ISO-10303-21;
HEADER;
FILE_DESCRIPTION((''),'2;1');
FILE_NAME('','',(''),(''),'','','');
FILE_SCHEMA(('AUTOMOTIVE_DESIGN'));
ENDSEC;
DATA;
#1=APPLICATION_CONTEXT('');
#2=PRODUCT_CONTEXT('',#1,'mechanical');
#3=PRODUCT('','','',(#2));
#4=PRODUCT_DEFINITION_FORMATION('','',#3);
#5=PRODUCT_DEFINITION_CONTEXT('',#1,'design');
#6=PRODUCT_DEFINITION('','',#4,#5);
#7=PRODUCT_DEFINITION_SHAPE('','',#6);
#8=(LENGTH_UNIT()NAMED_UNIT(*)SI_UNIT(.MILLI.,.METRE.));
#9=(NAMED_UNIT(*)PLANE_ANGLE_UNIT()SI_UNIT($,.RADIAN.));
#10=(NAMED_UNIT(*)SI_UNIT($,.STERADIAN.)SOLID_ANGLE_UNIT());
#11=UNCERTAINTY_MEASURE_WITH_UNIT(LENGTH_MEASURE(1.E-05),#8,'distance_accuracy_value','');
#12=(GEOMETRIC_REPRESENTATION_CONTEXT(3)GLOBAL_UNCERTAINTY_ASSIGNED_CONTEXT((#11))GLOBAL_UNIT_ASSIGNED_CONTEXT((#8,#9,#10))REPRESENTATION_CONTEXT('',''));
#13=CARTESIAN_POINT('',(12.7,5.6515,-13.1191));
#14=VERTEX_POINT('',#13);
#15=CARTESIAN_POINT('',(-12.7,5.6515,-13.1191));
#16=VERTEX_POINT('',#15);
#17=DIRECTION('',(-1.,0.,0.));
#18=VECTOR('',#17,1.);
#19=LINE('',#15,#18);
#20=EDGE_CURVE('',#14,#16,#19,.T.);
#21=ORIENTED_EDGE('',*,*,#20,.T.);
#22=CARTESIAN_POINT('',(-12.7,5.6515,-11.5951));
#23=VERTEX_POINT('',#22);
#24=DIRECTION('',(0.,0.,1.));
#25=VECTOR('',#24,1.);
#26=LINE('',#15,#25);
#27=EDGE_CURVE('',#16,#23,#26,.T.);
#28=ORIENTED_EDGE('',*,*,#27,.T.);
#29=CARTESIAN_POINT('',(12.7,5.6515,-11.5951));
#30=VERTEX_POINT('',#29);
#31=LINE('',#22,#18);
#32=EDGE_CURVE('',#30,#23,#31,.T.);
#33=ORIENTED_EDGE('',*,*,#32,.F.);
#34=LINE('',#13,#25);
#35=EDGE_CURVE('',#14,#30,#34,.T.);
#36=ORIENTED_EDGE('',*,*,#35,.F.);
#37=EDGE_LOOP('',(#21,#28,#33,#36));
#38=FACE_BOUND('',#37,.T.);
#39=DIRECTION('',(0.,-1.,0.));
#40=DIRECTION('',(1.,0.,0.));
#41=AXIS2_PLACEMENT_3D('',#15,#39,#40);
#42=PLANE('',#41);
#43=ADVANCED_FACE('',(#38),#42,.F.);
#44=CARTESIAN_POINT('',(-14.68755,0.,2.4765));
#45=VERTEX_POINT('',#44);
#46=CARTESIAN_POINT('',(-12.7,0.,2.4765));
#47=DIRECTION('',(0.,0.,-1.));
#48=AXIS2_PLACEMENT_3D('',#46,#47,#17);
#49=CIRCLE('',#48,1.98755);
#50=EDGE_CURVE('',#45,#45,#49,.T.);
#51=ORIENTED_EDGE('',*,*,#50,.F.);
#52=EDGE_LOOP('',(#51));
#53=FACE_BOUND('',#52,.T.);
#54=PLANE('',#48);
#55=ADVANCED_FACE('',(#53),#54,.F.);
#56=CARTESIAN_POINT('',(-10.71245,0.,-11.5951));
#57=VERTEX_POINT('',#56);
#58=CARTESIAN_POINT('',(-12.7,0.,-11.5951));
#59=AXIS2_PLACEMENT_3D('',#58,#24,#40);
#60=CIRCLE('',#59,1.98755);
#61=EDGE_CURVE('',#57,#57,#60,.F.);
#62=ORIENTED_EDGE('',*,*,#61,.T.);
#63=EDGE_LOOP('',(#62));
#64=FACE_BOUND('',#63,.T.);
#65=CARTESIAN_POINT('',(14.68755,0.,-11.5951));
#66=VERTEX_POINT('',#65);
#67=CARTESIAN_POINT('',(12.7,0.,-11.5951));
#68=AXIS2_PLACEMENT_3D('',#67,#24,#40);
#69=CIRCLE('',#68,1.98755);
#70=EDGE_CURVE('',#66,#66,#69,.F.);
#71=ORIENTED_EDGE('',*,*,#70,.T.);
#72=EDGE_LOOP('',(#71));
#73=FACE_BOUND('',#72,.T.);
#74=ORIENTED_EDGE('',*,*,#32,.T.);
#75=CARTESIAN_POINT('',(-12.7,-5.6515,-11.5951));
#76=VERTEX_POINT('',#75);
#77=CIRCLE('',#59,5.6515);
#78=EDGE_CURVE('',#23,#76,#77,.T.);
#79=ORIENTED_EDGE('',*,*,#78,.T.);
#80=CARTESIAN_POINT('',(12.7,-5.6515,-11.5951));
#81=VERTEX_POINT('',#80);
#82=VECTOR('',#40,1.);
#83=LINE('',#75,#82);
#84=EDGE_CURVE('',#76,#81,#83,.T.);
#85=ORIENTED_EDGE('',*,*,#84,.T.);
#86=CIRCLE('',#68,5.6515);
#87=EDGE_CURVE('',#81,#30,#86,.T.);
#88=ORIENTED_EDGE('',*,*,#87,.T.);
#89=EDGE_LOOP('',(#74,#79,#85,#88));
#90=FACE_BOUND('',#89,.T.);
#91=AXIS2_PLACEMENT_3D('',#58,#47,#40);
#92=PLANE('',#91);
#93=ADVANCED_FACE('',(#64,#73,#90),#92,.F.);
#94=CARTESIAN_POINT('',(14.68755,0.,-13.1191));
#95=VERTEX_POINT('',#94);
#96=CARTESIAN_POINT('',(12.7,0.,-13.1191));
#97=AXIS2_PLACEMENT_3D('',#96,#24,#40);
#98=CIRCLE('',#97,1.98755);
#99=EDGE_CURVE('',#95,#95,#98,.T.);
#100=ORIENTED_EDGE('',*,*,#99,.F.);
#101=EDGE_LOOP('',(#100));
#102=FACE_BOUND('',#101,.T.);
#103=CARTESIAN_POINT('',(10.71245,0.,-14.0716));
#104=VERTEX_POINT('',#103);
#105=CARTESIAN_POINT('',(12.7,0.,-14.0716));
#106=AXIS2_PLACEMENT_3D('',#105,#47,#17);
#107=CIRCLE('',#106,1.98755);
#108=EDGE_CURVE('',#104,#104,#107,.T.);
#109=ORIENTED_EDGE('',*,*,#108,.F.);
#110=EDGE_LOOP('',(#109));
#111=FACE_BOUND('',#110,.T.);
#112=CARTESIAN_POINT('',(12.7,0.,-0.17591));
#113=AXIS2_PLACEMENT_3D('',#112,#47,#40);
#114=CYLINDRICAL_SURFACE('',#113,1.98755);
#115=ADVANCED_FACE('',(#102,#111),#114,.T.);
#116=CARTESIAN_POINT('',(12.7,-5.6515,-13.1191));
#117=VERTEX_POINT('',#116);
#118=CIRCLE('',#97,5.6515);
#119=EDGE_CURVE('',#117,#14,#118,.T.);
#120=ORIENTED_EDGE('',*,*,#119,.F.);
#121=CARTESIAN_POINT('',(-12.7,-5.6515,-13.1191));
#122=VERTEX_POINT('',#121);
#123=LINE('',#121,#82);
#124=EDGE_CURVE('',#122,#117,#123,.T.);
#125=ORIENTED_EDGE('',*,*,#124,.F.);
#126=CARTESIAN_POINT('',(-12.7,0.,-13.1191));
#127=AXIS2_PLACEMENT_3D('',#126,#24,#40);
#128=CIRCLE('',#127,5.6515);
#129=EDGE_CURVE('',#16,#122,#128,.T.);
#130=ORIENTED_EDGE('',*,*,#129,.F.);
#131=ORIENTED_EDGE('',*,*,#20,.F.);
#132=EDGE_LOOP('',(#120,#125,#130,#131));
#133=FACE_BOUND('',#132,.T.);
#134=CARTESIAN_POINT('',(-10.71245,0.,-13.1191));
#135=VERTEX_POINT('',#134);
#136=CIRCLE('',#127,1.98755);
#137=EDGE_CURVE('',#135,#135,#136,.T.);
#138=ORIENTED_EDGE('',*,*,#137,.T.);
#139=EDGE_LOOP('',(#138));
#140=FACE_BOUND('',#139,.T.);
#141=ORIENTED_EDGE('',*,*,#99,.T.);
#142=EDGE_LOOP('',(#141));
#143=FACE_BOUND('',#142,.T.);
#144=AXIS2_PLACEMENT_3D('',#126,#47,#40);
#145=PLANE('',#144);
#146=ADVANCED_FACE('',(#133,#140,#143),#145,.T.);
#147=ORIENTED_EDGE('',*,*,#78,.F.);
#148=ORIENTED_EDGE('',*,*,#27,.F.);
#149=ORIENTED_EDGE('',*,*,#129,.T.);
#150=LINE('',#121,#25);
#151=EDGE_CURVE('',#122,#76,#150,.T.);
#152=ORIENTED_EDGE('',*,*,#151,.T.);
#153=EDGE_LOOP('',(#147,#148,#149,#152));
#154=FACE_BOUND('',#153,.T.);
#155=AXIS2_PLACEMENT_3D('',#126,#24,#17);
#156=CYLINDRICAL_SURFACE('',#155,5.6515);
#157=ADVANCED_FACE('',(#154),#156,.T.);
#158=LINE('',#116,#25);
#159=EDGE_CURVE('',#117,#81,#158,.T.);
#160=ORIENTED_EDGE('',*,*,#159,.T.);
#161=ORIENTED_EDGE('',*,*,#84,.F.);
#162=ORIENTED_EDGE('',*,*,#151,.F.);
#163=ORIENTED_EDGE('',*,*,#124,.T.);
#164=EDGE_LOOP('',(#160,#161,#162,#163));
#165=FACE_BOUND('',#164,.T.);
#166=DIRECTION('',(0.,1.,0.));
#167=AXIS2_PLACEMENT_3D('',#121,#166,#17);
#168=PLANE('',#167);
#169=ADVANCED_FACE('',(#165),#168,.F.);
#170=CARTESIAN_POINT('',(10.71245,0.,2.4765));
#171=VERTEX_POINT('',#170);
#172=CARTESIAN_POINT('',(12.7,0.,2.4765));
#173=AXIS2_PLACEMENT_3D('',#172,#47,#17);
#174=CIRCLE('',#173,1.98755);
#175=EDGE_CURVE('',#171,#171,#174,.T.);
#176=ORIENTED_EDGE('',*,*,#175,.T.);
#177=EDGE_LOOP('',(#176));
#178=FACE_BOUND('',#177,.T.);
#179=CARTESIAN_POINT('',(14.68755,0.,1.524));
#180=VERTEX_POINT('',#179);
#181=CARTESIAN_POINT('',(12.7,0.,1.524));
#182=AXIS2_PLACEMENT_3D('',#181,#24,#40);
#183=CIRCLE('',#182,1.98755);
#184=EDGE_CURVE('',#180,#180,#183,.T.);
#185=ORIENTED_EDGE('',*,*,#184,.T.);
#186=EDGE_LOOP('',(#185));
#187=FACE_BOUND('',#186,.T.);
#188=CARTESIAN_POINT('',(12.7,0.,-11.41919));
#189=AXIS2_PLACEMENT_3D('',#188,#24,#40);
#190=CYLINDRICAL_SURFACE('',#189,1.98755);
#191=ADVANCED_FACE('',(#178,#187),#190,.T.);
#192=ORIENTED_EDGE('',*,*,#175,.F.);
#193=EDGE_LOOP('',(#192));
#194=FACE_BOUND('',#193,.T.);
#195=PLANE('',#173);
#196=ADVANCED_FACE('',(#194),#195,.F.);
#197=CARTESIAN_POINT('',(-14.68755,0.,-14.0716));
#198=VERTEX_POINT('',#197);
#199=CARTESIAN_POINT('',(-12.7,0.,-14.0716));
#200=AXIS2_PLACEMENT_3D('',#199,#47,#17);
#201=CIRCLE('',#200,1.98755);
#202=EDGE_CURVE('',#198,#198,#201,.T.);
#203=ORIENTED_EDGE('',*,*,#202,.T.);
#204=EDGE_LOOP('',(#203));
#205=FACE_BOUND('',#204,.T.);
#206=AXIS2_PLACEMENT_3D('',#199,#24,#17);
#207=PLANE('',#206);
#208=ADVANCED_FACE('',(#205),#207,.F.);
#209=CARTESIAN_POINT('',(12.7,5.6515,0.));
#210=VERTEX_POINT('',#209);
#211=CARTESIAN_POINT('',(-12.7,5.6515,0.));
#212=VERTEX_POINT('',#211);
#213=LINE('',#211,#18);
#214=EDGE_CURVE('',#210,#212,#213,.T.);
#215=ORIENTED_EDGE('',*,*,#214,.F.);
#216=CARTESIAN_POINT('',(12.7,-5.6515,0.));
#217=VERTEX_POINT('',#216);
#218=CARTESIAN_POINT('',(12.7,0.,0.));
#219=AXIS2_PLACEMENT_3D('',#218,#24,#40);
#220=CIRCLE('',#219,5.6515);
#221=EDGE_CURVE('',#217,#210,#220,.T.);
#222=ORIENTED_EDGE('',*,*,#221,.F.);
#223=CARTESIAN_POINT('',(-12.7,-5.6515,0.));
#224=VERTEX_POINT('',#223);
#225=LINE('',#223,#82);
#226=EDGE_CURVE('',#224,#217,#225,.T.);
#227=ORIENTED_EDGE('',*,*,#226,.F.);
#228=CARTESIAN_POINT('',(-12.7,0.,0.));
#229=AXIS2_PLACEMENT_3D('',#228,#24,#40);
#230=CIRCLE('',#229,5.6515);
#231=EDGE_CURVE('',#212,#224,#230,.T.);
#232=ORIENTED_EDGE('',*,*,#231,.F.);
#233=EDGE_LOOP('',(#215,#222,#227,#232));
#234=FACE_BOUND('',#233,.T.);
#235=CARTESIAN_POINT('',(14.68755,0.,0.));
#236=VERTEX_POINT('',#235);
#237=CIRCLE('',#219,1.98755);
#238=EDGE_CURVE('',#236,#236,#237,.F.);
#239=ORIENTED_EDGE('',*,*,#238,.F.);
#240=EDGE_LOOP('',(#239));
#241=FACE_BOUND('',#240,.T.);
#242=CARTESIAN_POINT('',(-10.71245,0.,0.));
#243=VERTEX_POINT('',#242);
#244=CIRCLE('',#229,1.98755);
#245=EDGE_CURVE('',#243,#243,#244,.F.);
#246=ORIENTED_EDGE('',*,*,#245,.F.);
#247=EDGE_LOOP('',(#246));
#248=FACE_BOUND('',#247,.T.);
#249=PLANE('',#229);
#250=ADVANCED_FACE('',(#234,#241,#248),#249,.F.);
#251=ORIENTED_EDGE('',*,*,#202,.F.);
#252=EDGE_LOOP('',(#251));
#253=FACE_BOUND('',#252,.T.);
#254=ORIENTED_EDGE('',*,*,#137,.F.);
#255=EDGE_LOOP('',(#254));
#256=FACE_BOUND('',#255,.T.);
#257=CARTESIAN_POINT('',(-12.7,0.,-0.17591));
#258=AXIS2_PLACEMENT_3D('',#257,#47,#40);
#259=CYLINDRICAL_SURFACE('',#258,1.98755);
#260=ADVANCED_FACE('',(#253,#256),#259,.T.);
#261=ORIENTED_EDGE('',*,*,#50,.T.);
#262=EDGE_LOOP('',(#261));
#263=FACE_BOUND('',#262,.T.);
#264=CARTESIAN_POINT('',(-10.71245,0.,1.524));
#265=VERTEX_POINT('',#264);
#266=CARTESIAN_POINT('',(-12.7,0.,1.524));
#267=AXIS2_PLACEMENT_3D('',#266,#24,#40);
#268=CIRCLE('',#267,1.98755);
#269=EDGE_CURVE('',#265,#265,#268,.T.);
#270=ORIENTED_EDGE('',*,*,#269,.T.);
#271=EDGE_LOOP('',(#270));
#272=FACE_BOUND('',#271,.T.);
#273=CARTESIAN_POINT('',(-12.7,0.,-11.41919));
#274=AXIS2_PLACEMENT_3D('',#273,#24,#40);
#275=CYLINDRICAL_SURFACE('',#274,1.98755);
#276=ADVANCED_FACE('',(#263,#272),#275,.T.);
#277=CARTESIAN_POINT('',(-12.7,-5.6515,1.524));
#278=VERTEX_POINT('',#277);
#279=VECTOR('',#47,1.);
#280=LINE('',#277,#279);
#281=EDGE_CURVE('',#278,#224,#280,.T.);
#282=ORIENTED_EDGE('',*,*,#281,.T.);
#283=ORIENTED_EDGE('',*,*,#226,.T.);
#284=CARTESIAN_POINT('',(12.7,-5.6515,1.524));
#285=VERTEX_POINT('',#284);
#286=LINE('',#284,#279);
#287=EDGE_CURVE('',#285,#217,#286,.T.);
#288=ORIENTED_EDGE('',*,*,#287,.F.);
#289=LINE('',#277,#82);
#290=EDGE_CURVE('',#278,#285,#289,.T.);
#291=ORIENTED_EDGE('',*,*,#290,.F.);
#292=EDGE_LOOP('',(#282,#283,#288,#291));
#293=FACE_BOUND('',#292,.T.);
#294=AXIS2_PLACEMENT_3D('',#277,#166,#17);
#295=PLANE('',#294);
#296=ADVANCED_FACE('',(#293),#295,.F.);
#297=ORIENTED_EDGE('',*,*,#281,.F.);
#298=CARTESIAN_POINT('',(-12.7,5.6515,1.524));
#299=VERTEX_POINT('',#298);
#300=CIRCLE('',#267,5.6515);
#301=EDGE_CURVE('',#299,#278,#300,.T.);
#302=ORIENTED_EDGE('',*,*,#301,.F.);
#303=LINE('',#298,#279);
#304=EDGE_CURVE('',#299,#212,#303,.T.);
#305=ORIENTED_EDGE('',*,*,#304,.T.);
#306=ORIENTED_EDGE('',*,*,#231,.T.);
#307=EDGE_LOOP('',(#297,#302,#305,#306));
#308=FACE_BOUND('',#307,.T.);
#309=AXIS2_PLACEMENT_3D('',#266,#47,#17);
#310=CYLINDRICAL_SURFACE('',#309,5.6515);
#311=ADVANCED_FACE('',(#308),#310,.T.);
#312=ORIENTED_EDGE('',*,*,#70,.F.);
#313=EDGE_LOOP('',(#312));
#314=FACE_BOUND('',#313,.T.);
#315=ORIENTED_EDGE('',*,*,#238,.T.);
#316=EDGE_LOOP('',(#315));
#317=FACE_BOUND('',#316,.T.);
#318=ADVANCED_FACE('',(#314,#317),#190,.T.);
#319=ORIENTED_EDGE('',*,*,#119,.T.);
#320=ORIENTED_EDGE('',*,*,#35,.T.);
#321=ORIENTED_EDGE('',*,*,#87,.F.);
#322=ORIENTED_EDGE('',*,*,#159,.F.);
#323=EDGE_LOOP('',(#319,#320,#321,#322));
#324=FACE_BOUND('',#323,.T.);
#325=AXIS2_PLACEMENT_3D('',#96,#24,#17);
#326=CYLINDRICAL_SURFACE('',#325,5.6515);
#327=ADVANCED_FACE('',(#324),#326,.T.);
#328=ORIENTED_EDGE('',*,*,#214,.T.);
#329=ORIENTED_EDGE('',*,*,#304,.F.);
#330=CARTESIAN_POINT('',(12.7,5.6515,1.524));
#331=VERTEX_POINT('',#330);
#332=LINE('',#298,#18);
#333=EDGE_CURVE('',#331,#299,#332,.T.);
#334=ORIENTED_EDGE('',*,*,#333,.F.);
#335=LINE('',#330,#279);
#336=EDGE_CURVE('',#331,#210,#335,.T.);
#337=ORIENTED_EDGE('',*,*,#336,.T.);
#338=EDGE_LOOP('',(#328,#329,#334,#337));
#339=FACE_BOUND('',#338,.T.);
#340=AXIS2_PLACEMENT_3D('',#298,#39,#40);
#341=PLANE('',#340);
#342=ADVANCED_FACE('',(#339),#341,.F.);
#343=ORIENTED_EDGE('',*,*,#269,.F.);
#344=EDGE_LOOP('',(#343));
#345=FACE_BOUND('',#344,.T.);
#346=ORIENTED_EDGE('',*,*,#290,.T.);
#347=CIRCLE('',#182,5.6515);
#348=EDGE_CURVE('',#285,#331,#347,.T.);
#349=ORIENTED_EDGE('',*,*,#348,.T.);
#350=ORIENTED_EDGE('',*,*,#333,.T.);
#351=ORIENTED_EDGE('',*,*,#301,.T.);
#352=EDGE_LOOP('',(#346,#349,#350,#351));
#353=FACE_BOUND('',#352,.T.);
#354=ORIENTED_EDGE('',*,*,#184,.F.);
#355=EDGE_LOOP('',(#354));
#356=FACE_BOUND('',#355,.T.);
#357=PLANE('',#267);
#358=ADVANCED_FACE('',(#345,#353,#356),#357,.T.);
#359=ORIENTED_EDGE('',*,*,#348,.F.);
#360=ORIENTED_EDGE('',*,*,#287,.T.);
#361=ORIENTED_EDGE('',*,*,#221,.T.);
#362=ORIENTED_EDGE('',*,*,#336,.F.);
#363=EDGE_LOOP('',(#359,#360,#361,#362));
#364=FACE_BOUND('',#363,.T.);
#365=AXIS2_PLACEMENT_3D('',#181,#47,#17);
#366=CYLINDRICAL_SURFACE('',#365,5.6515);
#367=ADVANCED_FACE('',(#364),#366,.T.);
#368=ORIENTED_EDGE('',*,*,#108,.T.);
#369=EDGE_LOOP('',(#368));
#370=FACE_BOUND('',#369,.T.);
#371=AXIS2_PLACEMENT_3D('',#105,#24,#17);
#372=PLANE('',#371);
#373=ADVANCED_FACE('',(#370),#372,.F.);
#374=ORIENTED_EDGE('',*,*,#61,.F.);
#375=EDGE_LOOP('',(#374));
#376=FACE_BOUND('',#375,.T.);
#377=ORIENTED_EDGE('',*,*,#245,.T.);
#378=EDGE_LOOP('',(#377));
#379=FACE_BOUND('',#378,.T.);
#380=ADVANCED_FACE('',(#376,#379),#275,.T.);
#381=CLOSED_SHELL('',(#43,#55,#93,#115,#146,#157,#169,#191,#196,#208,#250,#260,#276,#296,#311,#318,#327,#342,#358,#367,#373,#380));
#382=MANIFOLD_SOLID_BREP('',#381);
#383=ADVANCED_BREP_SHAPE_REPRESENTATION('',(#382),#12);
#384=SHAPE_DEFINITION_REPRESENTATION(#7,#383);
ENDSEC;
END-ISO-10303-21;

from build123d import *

# Parameters (mm, degrees)
SKETCH1_R           = 1.98755
BOSS_EXTRUDE1_DEPTH = 1.524
BOSS_EXTRUDE2_START = -2.4765
SKETCH3_R           = 1.98755
BOSS_EXTRUDE2_DEPTH = 8.27405


with BuildPart() as part:
    # Sketch1 → Boss-Extrude1 (new body)
    with BuildSketch(Plane.XY):
        with BuildLine():
            Line((-12.7, 5.6515), (12.7, 5.6515))
            ThreePointArc((12.7, 5.6515), (18.3515, 0), (12.7, -5.6515))
            Line((12.7, -5.6515), (-12.7, -5.6515))
            ThreePointArc((-12.7, -5.6515), (-18.3515, 0), (-12.7, 5.6515))
        make_face()
        with Locations((-12.7, 0)):
            Circle(SKETCH1_R, mode=Mode.SUBTRACT)
        with Locations((12.7, 0)):
            Circle(SKETCH1_R, mode=Mode.SUBTRACT)
    boss_extrude1 = extrude(amount=BOSS_EXTRUDE1_DEPTH)

    # Sketch3 → Boss-Extrude2 (add)
    with BuildSketch(Plane(origin=(0, 0, 0), x_dir=(-1, 0, 0), z_dir=(0, 0, -1)).offset(BOSS_EXTRUDE2_START)):
        with Locations((-12.7, 0)):
            Circle(SKETCH3_R)
        with Locations((12.7, 0)):
            Circle(SKETCH3_R)
    boss_extrude2 = extrude(amount=BOSS_EXTRUDE2_DEPTH)

    # Mirror4: Boss-Extrude1, Boss-Extrude2 across plane
    add(boss_extrude1.mirror(Plane.XY.offset(-5.79755)))
    add(boss_extrude2.mirror(Plane.XY.offset(-5.79755)))


solid = part.part
